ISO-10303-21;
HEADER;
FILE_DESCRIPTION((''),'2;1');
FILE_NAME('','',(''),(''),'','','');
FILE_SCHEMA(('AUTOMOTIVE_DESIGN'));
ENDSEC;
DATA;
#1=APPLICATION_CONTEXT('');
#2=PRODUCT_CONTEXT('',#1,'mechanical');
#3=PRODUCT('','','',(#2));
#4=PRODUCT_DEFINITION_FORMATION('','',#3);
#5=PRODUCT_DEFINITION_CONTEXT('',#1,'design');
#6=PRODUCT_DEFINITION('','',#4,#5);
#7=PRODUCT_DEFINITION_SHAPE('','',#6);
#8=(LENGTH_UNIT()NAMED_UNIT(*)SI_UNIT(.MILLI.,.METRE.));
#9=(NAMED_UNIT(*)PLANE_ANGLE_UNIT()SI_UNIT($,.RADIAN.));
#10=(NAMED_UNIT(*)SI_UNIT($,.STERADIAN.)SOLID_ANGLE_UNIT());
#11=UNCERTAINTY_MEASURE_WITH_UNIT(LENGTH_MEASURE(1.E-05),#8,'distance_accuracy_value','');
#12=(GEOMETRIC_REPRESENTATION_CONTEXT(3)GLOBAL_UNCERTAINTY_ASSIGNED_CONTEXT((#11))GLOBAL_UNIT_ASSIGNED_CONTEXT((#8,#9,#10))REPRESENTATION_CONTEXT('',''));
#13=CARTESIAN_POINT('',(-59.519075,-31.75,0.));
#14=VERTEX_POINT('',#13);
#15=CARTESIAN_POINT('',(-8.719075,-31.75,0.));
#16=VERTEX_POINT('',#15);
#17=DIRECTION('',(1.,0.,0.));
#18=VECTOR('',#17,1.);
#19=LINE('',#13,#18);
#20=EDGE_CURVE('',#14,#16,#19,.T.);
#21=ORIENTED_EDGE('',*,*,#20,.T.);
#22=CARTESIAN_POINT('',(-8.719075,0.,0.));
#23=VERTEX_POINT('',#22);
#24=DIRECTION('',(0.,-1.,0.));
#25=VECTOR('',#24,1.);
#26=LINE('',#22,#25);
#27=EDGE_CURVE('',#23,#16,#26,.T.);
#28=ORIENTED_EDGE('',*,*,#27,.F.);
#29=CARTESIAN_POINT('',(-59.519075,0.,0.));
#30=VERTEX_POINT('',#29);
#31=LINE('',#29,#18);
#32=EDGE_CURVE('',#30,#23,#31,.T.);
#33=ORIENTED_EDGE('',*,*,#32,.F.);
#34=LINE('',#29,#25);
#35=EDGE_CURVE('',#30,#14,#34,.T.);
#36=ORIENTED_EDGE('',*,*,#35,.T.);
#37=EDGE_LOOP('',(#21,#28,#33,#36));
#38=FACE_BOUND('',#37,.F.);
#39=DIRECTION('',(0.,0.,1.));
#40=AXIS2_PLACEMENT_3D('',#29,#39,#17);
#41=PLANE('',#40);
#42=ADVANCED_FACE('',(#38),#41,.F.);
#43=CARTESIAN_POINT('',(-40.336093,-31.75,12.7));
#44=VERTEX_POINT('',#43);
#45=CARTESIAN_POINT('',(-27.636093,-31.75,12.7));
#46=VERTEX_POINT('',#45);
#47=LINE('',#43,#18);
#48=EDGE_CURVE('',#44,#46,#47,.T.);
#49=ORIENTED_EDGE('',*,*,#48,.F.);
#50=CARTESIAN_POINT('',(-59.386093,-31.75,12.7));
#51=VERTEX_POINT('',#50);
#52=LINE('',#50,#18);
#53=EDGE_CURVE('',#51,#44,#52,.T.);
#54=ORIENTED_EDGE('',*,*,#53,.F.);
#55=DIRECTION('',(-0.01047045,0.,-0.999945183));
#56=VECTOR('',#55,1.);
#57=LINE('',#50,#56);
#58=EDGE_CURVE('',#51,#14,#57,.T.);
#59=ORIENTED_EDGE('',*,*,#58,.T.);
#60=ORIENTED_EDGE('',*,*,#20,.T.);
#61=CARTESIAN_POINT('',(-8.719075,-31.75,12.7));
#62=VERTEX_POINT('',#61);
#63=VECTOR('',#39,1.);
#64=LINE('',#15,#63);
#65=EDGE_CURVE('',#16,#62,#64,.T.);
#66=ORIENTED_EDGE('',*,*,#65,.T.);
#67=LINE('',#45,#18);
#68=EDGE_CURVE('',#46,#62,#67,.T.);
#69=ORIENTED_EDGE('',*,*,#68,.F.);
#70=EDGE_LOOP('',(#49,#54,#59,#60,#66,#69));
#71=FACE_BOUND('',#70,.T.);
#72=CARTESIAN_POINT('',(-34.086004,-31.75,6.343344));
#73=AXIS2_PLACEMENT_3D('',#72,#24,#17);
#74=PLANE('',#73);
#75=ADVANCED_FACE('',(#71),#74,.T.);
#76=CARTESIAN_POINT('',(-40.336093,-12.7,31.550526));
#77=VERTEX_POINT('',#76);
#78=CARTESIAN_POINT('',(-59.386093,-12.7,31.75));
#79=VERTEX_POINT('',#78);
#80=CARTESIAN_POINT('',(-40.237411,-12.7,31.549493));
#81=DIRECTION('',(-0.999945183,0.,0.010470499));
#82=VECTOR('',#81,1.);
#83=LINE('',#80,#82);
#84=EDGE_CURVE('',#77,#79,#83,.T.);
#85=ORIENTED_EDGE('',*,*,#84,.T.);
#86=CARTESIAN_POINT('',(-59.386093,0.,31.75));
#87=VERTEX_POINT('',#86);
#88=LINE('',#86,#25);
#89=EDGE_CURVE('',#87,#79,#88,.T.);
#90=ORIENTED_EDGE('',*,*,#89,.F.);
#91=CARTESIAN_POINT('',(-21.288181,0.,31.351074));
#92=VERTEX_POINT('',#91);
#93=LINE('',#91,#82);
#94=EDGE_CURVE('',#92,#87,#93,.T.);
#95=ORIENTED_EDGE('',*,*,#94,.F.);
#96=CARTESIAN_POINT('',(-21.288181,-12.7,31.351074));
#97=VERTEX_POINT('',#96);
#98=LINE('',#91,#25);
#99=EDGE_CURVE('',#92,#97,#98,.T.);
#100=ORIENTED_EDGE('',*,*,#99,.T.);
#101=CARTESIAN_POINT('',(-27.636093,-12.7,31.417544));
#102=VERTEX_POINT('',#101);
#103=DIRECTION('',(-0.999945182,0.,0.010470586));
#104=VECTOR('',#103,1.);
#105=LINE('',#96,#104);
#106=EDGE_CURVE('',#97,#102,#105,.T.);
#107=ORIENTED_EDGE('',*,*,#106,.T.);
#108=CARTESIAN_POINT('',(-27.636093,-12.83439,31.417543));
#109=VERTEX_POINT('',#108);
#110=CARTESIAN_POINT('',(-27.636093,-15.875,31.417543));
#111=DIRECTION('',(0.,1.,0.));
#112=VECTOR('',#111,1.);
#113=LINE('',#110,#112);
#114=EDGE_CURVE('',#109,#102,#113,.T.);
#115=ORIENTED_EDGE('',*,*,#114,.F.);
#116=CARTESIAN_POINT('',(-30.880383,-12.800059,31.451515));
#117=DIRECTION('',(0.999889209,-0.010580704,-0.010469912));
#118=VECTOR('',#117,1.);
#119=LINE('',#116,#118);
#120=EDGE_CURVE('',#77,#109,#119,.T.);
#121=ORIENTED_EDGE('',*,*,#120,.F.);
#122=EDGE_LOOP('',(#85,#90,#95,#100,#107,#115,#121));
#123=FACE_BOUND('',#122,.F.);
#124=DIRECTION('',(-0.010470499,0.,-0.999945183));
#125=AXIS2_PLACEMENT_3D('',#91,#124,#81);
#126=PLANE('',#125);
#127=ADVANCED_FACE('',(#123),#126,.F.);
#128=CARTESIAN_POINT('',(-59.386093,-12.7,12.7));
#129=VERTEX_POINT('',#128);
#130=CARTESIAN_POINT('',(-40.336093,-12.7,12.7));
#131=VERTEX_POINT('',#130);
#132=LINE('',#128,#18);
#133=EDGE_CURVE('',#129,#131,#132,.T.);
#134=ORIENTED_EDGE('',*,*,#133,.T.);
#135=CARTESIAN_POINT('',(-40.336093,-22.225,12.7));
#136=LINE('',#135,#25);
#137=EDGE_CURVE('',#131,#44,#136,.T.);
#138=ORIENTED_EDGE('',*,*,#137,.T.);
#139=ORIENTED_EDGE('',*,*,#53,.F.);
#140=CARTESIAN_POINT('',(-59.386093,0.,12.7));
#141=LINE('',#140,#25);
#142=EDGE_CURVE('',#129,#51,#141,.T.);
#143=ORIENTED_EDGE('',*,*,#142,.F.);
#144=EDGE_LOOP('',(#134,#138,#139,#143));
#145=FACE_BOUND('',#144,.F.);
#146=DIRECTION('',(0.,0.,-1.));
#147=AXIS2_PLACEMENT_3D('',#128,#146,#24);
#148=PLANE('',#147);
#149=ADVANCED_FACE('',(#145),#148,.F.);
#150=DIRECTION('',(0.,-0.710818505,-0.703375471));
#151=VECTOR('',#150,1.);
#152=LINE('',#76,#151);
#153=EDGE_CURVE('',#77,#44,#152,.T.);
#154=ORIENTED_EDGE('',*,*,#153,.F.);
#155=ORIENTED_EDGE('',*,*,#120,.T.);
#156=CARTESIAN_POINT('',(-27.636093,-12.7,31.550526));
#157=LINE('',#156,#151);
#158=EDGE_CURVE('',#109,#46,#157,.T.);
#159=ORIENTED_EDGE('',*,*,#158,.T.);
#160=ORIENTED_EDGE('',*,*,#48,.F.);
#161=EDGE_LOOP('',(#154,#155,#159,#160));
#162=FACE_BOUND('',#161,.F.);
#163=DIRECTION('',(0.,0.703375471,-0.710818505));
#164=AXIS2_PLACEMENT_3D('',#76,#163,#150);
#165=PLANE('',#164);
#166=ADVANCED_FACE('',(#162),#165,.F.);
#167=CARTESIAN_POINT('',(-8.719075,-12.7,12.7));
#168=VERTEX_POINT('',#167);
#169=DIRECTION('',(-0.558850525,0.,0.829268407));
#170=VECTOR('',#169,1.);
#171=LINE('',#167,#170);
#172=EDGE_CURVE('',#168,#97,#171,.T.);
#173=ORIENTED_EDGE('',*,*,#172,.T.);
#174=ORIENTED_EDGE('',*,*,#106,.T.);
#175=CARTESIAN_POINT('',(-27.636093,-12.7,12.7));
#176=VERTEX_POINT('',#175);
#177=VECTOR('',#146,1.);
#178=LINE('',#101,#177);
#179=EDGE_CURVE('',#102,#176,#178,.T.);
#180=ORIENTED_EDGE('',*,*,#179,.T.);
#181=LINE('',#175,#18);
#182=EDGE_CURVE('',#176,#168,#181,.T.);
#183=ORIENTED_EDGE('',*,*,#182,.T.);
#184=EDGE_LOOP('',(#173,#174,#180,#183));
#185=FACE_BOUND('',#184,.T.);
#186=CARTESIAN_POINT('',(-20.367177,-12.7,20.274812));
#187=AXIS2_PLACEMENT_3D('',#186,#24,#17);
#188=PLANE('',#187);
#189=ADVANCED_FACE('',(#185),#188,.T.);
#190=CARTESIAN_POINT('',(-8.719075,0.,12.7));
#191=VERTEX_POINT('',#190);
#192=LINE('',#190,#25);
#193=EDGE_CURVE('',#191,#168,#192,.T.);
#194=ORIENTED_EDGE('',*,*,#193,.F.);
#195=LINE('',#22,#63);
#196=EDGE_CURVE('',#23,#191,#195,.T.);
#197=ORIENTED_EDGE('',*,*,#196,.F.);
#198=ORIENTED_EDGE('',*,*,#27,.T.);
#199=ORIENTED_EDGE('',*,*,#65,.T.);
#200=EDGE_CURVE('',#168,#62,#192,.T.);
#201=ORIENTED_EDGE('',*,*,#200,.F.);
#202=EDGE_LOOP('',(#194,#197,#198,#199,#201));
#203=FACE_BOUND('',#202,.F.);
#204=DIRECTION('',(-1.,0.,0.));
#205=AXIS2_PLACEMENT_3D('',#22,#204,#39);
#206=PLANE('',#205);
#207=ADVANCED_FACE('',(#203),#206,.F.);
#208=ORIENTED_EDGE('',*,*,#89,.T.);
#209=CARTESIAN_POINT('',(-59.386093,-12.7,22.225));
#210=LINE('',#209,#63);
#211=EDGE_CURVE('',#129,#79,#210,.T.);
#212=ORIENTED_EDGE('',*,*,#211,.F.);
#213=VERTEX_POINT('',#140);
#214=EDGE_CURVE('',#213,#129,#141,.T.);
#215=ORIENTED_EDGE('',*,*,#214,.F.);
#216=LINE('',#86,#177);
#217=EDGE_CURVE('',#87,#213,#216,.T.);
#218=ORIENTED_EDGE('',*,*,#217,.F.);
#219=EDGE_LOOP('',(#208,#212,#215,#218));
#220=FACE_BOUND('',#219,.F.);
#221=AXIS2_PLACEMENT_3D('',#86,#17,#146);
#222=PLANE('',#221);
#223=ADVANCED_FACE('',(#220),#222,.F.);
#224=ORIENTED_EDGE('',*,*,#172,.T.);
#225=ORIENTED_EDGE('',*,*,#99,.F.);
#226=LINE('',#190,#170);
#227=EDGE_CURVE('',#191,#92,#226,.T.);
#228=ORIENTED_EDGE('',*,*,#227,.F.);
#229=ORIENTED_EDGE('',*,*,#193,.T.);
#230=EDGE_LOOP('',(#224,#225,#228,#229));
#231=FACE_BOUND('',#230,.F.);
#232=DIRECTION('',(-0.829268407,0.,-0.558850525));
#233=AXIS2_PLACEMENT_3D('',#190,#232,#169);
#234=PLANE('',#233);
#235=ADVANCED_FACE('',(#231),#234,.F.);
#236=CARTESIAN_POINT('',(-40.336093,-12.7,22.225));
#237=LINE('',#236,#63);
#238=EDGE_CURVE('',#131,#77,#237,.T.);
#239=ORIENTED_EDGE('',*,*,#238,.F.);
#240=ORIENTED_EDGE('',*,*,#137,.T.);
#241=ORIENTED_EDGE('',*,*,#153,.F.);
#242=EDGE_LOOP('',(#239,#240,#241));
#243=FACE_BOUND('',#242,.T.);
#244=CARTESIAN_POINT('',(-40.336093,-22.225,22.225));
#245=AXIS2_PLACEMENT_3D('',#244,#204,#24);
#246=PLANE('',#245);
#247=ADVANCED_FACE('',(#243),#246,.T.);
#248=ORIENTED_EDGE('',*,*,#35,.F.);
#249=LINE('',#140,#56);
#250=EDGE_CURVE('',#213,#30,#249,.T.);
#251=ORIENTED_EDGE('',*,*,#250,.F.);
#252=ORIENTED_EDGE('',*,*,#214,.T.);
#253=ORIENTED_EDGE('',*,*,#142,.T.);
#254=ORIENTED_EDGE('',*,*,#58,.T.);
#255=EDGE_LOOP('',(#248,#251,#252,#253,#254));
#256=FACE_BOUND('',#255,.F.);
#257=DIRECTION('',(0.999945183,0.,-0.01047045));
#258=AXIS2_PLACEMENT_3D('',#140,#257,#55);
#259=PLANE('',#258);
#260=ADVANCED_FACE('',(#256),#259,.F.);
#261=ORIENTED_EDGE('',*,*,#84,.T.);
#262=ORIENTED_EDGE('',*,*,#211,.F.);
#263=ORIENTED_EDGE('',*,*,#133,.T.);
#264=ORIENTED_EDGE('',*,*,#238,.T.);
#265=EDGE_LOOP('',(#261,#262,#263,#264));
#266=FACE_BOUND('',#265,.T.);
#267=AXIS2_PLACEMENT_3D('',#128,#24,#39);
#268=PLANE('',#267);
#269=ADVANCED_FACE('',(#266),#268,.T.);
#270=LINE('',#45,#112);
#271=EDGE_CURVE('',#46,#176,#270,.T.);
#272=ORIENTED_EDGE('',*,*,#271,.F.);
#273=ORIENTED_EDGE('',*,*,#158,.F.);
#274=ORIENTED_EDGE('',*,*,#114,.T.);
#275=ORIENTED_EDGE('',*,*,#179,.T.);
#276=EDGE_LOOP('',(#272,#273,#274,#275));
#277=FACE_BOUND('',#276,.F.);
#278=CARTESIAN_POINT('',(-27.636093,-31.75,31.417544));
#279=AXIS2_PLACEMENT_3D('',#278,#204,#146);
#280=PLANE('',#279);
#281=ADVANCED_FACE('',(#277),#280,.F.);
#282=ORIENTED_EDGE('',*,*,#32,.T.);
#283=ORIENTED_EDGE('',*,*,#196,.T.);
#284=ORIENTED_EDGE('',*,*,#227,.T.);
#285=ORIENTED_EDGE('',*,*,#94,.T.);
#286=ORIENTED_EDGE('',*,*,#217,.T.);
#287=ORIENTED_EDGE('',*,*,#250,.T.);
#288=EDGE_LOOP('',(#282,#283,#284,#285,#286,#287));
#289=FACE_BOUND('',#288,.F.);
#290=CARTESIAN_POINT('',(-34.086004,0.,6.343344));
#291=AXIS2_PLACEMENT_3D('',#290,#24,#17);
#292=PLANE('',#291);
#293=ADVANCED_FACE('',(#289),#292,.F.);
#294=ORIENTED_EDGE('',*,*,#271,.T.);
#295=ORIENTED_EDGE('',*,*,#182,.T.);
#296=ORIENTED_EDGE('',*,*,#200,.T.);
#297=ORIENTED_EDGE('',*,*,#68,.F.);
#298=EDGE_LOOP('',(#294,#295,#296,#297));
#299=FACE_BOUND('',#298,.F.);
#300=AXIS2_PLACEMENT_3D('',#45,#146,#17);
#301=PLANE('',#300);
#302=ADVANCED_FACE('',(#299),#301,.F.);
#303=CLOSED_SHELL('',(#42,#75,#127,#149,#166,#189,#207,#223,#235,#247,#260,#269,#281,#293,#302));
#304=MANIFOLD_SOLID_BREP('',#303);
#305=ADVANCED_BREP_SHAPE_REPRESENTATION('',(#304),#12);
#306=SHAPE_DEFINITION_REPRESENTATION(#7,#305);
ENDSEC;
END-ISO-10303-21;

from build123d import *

# Parameters (mm, degrees)
F1_DEPTH = 31.75
F2_W     = 19.05
F2_H     = 19.05
F3_DEPTH = 19.05
F5_DEPTH = 12.7
F7_DEPTH = 19.05


with BuildPart() as f1:
    # F0 (on Front) → F1 (new body)
    with BuildSketch(Plane.XZ):
        Polygon((-59.386093, 12.7), (-59.519075, 0), (-8.719075, 0), (-8.719075, 12.7), align=None)
        Polygon((-59.386093, 31.75), (-59.386093, 12.7), (-8.719075, 12.7), (-21.288181, 31.351074), align=None)
    extrude(amount=F1_DEPTH)

    # F2 (on face) → F3 (cut)
    with BuildSketch(Plane(origin=(-59.386093, 0, 0), x_dir=(0, -1, 0), z_dir=(-1, 0, 0))):
        with Locations((22.225, 22.225)):
            Rectangle(F2_W, F2_H)
    extrude(amount=-F3_DEPTH, mode=Mode.SUBTRACT)

    # F4 (on face) → F5 (cut)
    with BuildSketch(Plane(origin=(-40.336093, 0, 0), x_dir=(0, -1, 0), z_dir=(-1, 0, 0))):
        Polygon((12.7, 31.550526), (31.75, 12.7), (31.75, 31.550526), align=None)
    extrude(amount=-F5_DEPTH, mode=Mode.SUBTRACT)

    # F6 (on face) → F7 (cut)
    with BuildSketch(Plane.XZ.offset(31.75)):
        Polygon((-27.636093, 31.417544), (-27.636093, 12.7), (-8.719075, 12.7), (-21.288181, 31.351074), align=None)
    extrude(amount=-F7_DEPTH, mode=Mode.SUBTRACT)


solid = f1.part
